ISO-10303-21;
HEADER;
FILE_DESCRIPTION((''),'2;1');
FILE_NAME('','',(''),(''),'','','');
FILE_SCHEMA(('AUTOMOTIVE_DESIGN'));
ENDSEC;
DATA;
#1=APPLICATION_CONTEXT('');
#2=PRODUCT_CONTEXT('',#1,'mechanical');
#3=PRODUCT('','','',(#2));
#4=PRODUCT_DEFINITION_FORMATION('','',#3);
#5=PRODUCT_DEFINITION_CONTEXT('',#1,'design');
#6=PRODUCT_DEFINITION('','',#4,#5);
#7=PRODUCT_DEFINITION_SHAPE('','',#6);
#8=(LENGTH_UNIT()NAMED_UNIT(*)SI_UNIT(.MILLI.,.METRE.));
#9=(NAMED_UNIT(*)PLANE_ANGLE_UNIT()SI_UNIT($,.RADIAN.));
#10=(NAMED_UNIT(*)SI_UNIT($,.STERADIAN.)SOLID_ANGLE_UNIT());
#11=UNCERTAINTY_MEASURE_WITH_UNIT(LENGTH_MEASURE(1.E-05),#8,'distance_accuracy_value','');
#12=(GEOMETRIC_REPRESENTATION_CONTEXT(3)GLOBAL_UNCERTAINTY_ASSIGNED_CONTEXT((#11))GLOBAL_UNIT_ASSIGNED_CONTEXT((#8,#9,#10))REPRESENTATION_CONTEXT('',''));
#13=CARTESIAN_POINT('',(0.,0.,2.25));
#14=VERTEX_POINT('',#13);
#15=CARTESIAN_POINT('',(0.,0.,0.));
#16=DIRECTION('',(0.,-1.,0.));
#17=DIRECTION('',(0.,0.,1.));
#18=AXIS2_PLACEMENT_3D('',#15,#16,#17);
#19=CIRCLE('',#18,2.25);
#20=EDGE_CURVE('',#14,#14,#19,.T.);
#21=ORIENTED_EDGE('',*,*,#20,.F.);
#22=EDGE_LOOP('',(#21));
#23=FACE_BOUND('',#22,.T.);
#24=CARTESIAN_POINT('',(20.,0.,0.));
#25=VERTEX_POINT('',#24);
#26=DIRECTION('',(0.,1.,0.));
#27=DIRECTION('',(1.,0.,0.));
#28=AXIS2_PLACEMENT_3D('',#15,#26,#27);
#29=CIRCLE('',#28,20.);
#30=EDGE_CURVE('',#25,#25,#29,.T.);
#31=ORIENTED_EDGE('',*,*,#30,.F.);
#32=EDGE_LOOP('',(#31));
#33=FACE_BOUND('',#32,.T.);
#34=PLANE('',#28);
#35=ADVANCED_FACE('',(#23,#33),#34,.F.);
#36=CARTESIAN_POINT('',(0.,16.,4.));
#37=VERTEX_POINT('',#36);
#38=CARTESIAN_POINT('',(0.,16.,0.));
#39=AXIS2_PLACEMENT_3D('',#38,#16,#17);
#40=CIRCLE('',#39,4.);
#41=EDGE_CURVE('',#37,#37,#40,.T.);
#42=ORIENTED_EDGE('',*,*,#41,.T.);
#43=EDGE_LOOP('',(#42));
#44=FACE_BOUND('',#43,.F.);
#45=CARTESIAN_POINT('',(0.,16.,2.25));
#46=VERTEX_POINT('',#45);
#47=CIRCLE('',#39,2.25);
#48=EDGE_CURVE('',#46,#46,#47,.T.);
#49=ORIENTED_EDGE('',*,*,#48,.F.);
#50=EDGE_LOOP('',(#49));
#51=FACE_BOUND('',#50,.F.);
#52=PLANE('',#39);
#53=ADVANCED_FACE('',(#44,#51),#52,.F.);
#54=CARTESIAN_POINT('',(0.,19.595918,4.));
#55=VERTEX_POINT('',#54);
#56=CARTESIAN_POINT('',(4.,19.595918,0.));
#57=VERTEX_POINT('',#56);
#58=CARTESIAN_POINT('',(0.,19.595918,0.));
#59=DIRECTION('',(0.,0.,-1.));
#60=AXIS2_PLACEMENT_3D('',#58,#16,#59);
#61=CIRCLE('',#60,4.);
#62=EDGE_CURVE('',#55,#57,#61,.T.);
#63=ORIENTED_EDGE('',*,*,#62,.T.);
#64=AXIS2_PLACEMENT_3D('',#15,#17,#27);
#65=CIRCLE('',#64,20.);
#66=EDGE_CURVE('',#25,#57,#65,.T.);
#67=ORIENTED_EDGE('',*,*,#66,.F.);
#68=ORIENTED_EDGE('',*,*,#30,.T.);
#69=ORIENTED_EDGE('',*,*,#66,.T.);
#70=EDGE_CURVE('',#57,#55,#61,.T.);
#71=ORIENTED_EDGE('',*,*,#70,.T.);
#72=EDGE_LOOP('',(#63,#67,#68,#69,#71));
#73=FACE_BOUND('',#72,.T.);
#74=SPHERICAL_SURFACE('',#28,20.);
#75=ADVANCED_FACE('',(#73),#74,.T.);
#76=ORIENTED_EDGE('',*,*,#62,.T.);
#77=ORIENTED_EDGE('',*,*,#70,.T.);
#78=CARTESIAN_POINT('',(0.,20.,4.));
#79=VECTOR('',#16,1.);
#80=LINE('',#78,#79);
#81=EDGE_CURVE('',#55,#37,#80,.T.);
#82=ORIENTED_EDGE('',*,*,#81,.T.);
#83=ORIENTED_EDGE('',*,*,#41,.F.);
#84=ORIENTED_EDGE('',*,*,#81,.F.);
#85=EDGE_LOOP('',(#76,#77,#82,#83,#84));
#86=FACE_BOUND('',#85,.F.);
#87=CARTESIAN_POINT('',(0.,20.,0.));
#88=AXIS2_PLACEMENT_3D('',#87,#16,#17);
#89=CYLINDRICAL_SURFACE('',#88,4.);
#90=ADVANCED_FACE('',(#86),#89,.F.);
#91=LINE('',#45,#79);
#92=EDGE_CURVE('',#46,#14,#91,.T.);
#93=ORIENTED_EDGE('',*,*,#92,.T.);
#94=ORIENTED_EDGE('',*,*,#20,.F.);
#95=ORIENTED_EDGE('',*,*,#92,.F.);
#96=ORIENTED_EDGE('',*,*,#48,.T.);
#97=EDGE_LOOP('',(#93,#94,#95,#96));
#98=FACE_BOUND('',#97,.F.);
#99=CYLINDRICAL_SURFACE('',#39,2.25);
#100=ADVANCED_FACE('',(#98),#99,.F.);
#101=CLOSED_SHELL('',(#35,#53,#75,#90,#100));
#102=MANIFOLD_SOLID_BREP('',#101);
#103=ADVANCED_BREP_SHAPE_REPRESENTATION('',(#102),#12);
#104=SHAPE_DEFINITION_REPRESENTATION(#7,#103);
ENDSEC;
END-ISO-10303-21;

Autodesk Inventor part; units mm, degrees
ref_plane "YZ Plane" through (0, 0, 0) normal (1, 0, 0) x (0, 1, 0)
ref_plane "XY Plane" through (0, 0, 0) normal (0, 0, 1) x (1, 0, 0)
sketch "Sketch1" plane through (0, 0, 0) normal (0, 0, 1) x (1, 0, 0)
  line L0 (0, 0) -> (0, 20)
  line L1 (0, 0) -> (20, 0)
  arc A0 (20, 0) -> (0, 20) centre (0, 0) ccw
  line L2 (0, -4.8284) -> (0, 28.9706) projected
  dimension "d2" = 20
revolve "Revolution1" add sketch "Sketch1" angle 360 about axis through (0, -10, 0) along (0, 1, 0)
ref_plane "Work Plane1" through (0, 20, 0) normal (0, 1, 0) x (-1, 0, 0)
sketch "Sketch2" plane through (0, 20, 0) normal (0, 1, 0) x (-1, 0, 0)
  point P0 (0, 0)
  point P1 (0, 0)
hole "Hole1" at (0, 20, 0) direction (0, -1, 0) diameter 4.5 end through all counterbore diameter 8 counterbore depth 4 clearance for "Socket Head Cap Screw" size "M4" standard "Ansi Metric M Profile"
shell "Shell1" [suppressed]
sketch "Sketch3" plane through (0, 0, 0) normal (0, -1, 0) x (1, 0, 0)
  circle A0 centre (0, 0) radius 2.25 projected
extrude "Extrusion1" [suppressed]
properties part number "Ball_Upper Half" material "Nylon 6/6"
